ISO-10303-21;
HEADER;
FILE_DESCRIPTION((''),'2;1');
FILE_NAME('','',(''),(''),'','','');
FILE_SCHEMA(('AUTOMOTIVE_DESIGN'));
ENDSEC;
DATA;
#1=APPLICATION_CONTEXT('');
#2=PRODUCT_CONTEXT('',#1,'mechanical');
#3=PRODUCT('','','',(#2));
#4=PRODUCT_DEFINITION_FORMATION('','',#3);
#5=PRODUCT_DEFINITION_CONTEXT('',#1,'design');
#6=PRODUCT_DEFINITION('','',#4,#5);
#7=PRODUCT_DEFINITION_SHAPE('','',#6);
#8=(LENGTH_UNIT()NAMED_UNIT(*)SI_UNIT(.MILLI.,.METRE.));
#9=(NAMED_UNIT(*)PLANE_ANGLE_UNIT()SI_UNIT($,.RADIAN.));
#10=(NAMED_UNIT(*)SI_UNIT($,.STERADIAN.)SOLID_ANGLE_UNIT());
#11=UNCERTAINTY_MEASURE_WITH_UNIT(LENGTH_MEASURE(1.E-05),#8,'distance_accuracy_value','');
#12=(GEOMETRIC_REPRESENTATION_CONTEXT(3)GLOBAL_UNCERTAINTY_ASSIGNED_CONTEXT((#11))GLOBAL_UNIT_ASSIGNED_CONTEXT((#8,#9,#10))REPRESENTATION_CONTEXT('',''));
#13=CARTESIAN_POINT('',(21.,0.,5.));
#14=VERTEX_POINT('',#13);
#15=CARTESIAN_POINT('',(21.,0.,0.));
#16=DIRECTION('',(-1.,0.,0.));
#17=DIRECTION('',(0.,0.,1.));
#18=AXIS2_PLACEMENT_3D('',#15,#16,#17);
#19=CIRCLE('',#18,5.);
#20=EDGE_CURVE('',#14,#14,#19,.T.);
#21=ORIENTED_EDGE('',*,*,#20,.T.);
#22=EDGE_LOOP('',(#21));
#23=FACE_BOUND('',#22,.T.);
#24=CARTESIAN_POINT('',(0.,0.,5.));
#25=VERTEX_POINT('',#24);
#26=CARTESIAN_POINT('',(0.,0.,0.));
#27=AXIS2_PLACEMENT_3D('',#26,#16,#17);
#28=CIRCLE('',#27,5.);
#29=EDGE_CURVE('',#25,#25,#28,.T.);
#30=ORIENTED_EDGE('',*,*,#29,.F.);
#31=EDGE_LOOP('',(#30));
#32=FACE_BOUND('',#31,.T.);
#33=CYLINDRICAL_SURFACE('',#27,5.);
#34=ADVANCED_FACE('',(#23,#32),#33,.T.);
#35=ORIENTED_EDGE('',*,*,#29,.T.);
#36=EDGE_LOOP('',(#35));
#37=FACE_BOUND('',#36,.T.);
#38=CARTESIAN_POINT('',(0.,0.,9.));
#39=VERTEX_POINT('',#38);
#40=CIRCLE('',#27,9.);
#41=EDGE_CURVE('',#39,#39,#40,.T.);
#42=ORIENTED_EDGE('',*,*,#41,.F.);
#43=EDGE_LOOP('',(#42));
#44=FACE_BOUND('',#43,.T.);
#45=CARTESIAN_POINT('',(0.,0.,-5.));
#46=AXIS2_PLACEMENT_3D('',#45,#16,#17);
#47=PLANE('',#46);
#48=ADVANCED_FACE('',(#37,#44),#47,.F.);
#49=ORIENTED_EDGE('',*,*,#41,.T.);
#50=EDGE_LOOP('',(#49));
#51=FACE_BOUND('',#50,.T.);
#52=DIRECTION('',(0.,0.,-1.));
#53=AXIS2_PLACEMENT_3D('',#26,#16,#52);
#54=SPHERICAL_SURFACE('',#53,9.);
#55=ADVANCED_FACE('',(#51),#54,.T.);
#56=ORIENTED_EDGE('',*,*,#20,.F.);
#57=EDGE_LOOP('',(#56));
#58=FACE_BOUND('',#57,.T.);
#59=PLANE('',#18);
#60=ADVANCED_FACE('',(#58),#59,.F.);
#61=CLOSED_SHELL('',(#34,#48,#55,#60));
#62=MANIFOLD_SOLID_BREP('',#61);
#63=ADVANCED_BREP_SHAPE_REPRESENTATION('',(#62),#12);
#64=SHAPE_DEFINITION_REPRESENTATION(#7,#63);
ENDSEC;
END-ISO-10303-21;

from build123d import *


with BuildPart() as part:
    # 草圖1 → 旋轉1 (revolve)
    with BuildSketch(Plane(origin=(0, 0, 0), x_dir=(1, 0, 0), z_dir=(0, 1, 0))):
        with BuildLine():
            Line((0, 0), (21, 0))
            Line((21, 0), (21, 5))
            Line((21, 5), (0, 5))
            Line((0, 5), (0, 9))
            ThreePointArc((0, 9), (-6.363961031, 6.363961031), (-9, 0))
            Line((-9, 0), (0, 0))
        make_face()
    revolve(axis=Axis((0, 0, 0), (1, 0, 0)))


solid = part.part
